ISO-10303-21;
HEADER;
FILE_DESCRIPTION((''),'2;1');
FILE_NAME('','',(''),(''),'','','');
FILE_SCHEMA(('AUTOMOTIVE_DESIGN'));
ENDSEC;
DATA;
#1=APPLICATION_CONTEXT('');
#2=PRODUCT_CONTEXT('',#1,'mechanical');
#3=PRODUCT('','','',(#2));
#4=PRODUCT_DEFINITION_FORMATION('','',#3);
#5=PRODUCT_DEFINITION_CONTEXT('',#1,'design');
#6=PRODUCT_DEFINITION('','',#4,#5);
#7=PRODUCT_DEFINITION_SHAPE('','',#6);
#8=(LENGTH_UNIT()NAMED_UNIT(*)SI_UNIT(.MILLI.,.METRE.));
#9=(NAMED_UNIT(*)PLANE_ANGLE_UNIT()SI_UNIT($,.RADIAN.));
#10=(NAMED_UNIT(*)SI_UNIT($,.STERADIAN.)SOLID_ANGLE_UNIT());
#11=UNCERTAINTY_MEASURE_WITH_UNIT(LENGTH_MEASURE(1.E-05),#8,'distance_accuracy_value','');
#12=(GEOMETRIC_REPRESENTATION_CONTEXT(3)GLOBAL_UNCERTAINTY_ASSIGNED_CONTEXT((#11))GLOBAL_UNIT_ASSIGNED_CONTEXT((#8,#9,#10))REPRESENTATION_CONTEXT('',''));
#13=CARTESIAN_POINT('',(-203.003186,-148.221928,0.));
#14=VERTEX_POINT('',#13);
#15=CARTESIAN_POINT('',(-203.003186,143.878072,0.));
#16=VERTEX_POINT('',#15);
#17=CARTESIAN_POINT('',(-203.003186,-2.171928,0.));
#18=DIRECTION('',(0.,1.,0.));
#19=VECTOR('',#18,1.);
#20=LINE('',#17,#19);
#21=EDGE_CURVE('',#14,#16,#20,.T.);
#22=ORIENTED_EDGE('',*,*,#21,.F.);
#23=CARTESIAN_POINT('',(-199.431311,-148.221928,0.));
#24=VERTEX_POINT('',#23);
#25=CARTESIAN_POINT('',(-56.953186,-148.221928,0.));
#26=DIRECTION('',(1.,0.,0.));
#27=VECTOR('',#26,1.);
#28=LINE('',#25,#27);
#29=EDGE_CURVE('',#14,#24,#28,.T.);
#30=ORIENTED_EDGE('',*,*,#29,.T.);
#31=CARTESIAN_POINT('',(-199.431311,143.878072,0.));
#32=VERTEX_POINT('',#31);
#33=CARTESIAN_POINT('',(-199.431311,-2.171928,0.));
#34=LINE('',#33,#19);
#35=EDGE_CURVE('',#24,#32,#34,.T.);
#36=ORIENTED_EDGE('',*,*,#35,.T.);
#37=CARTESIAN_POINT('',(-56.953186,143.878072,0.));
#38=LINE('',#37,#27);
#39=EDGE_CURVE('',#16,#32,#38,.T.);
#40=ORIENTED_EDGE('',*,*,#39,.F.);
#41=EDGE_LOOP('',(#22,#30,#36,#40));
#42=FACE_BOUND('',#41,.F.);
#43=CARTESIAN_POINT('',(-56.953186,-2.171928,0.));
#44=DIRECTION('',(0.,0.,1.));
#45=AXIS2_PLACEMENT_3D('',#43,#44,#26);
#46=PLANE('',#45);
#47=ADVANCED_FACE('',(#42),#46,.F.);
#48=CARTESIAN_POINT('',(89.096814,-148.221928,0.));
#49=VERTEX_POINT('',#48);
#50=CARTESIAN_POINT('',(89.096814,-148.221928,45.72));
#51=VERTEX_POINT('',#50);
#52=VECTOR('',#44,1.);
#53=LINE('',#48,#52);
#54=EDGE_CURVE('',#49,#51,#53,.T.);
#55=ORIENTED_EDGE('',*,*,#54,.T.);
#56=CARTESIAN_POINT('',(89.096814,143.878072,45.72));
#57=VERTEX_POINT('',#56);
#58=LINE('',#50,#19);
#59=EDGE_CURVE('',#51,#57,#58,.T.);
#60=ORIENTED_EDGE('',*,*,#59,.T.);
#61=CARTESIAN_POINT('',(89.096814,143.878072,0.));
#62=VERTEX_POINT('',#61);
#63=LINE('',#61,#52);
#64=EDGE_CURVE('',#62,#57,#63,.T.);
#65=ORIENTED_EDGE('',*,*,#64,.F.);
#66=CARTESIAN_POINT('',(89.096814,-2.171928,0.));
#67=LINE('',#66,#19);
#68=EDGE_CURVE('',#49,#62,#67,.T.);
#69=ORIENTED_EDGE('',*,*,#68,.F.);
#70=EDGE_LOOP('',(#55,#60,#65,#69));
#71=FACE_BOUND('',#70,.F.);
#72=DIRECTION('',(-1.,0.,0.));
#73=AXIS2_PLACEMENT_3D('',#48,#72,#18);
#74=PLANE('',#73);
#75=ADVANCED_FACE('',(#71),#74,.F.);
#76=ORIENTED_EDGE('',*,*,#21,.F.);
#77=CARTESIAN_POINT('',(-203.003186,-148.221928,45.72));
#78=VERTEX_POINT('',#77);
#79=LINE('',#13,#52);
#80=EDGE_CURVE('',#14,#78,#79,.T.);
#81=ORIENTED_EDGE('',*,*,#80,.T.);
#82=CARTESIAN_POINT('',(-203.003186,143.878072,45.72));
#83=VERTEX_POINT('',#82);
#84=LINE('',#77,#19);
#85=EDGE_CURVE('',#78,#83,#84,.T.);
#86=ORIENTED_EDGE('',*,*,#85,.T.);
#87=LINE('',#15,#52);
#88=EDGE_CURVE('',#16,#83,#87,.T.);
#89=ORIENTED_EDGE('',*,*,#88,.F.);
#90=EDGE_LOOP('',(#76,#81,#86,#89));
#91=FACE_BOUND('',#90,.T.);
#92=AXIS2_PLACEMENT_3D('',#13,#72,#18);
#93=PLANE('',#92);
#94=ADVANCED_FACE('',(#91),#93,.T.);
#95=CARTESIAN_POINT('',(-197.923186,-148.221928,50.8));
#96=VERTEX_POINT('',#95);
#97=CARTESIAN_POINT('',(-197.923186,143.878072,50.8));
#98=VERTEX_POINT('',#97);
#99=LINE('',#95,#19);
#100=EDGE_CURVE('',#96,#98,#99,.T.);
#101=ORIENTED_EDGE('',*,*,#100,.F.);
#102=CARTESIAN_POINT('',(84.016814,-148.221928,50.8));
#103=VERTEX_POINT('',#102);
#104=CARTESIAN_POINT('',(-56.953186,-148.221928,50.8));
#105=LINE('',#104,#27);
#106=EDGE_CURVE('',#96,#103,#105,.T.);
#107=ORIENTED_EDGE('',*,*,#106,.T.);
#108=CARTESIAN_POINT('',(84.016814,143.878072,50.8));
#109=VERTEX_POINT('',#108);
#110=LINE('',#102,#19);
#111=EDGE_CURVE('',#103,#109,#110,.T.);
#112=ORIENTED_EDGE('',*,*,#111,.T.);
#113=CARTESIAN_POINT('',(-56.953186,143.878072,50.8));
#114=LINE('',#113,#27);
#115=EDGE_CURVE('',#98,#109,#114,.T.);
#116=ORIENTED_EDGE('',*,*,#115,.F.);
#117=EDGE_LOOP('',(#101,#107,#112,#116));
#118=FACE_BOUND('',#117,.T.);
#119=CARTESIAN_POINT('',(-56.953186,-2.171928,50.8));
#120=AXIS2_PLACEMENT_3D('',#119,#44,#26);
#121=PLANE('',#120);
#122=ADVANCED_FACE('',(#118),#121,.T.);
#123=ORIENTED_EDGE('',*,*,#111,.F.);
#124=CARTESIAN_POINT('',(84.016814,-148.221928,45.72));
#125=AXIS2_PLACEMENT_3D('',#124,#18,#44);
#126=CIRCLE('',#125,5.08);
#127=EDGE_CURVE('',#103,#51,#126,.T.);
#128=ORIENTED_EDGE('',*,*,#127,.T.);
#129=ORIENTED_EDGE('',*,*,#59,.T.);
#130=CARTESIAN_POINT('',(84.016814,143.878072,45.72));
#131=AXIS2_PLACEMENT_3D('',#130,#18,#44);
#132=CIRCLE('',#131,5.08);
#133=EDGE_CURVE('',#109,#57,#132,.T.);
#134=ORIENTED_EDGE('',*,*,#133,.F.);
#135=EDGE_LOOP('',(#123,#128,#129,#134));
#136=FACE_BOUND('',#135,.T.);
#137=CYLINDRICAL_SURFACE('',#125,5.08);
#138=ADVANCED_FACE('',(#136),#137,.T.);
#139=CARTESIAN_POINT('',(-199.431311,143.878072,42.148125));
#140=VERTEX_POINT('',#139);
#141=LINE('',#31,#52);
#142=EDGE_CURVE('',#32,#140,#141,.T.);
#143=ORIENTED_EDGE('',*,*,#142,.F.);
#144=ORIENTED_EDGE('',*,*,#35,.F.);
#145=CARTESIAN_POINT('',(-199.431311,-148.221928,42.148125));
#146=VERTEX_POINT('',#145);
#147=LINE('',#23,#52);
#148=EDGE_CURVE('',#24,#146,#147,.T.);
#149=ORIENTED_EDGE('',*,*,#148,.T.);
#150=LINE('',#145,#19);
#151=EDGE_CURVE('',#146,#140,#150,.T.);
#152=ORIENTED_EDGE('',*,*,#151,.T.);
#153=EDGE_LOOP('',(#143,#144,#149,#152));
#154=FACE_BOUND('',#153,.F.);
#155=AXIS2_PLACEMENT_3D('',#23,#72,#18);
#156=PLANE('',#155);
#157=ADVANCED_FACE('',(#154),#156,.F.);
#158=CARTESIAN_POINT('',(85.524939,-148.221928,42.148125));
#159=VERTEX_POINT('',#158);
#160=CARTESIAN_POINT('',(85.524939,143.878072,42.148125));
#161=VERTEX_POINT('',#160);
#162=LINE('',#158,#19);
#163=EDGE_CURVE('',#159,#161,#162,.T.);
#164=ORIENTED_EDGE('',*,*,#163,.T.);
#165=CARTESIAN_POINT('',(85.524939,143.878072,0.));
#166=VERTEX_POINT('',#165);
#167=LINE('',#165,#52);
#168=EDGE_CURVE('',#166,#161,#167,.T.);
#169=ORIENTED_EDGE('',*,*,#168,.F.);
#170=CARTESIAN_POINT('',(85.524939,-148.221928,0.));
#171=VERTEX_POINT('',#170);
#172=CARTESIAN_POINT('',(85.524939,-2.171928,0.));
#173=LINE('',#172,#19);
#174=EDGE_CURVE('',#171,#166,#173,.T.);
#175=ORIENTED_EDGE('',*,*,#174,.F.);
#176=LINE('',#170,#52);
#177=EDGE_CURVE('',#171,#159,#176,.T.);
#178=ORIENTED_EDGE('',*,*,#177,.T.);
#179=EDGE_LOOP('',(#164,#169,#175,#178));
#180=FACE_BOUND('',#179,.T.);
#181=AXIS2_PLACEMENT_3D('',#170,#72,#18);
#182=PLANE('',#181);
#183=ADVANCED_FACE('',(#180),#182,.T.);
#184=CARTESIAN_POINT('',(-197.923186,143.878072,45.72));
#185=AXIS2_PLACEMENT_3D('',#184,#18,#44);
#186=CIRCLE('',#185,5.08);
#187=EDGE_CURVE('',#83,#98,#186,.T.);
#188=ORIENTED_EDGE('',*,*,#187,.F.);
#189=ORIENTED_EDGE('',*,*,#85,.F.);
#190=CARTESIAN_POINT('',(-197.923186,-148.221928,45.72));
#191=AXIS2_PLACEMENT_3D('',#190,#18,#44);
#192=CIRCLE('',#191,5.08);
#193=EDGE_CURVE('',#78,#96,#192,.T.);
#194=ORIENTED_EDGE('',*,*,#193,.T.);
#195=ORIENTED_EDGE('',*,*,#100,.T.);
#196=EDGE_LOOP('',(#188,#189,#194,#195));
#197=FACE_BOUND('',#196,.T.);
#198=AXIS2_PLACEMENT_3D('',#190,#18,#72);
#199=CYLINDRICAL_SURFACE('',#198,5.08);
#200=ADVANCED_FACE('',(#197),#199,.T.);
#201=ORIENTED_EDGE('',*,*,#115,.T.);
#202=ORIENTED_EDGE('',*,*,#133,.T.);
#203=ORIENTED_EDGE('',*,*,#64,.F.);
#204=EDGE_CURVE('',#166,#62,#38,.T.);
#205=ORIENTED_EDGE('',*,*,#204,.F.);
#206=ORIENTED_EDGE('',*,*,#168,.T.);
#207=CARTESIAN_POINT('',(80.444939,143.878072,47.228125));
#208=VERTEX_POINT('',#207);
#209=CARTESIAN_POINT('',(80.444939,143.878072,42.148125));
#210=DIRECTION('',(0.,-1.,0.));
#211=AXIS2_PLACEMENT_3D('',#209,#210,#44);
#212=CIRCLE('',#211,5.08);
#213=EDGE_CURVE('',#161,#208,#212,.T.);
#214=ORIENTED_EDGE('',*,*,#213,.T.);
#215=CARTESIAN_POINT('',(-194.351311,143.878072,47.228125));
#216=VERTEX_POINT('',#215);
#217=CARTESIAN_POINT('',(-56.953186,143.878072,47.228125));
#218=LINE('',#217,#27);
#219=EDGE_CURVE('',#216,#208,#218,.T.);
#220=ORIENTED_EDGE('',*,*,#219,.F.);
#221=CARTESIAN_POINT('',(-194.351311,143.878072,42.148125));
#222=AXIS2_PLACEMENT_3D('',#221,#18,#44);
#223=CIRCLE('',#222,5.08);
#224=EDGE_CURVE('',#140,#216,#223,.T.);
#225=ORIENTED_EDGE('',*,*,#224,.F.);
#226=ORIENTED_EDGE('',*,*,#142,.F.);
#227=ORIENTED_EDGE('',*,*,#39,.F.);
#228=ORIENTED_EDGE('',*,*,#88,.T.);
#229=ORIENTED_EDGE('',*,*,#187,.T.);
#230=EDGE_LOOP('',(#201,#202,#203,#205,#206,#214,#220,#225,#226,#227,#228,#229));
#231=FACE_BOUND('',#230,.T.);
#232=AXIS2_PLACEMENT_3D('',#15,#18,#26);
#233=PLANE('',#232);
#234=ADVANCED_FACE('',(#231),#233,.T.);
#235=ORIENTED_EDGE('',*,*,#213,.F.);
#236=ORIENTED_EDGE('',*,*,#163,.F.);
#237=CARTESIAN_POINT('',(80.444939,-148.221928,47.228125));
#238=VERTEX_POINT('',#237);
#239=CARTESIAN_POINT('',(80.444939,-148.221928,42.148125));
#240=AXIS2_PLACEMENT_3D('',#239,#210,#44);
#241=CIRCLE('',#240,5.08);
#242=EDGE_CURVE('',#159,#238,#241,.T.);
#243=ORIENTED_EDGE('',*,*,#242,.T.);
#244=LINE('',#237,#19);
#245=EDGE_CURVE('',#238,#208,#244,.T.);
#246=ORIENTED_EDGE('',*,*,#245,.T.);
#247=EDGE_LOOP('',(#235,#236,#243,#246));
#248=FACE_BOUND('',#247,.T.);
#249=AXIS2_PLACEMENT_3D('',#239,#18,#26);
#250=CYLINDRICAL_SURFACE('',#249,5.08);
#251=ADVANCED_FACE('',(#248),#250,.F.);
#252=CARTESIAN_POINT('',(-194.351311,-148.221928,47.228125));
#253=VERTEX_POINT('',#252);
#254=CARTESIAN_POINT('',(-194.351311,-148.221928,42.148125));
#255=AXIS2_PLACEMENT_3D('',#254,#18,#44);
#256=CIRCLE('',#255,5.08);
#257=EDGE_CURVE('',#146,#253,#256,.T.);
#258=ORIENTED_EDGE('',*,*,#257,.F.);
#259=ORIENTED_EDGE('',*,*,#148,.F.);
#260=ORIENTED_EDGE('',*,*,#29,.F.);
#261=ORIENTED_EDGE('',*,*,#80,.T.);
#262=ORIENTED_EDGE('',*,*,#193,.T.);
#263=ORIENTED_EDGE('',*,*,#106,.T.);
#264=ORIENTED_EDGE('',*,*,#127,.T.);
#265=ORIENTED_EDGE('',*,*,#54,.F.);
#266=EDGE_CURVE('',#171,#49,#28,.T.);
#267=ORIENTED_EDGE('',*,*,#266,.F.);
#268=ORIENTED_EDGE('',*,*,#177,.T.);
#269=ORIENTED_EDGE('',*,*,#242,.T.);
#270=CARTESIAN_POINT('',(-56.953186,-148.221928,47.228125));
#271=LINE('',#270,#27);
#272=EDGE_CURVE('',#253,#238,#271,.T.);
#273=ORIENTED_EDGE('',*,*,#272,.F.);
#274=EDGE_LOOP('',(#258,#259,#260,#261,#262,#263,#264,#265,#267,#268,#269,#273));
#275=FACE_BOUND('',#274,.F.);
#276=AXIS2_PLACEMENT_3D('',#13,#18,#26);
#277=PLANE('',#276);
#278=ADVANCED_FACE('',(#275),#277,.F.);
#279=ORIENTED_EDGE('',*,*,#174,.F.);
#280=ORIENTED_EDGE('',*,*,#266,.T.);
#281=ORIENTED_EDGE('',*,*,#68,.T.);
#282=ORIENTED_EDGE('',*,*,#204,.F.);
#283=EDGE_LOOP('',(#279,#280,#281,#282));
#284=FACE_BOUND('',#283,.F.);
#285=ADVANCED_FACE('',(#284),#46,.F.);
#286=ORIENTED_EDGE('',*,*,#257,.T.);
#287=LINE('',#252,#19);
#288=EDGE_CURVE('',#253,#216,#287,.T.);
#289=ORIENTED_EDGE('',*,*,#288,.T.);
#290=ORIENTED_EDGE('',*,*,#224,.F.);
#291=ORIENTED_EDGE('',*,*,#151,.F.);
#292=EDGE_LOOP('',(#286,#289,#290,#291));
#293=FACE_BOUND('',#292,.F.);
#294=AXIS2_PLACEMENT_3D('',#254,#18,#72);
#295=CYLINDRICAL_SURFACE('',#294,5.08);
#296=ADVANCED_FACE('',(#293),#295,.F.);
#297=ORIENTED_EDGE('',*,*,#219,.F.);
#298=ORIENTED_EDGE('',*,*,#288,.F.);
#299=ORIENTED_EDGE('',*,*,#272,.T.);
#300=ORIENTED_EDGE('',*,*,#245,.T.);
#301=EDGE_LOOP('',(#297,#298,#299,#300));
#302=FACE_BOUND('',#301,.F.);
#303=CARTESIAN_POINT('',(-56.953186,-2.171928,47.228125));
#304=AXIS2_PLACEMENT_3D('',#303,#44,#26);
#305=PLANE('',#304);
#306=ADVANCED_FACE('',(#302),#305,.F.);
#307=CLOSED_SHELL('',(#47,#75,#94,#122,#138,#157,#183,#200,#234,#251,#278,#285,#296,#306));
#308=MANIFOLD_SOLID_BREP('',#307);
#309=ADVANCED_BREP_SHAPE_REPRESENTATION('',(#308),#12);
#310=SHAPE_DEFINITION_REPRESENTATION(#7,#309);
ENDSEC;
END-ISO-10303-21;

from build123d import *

# Parameters (mm, degrees)
F0_W     = 292.1
F0_H     = 292.1
F1_DEPTH = 50.8
F2_T     = -3.571875
F3_R     = 5.08


with BuildPart() as f1:
    # F0 (on Top) → F1 (new body)
    with BuildSketch(Plane.XY):
        with Locations((-56.953185622, -2.171928063)):
            Rectangle(F0_W, F0_H)
    extrude(amount=F1_DEPTH)

    # F2
    f2_openings = [f1.faces().sort_by_distance(p)[0] for p in [
        (-56.953186, -148.221928, 25.4),
        (-56.953186, 143.878072, 25.4),
        (-56.953186, -2.171928, 0),
    ]]
    offset(amount=F2_T, openings=f2_openings)

    # F3
    f3_edges = [f1.edges().sort_by_distance(p)[0] for p in [
        (-199.431311, -2.171928, 47.228125),
        (85.524939, -2.171928, 47.228125),
        (-203.003186, -2.171928, 50.8),
        (89.096814, -2.171928, 50.8),
    ]]
    fillet(f3_edges, radius=F3_R)


solid = f1.part
